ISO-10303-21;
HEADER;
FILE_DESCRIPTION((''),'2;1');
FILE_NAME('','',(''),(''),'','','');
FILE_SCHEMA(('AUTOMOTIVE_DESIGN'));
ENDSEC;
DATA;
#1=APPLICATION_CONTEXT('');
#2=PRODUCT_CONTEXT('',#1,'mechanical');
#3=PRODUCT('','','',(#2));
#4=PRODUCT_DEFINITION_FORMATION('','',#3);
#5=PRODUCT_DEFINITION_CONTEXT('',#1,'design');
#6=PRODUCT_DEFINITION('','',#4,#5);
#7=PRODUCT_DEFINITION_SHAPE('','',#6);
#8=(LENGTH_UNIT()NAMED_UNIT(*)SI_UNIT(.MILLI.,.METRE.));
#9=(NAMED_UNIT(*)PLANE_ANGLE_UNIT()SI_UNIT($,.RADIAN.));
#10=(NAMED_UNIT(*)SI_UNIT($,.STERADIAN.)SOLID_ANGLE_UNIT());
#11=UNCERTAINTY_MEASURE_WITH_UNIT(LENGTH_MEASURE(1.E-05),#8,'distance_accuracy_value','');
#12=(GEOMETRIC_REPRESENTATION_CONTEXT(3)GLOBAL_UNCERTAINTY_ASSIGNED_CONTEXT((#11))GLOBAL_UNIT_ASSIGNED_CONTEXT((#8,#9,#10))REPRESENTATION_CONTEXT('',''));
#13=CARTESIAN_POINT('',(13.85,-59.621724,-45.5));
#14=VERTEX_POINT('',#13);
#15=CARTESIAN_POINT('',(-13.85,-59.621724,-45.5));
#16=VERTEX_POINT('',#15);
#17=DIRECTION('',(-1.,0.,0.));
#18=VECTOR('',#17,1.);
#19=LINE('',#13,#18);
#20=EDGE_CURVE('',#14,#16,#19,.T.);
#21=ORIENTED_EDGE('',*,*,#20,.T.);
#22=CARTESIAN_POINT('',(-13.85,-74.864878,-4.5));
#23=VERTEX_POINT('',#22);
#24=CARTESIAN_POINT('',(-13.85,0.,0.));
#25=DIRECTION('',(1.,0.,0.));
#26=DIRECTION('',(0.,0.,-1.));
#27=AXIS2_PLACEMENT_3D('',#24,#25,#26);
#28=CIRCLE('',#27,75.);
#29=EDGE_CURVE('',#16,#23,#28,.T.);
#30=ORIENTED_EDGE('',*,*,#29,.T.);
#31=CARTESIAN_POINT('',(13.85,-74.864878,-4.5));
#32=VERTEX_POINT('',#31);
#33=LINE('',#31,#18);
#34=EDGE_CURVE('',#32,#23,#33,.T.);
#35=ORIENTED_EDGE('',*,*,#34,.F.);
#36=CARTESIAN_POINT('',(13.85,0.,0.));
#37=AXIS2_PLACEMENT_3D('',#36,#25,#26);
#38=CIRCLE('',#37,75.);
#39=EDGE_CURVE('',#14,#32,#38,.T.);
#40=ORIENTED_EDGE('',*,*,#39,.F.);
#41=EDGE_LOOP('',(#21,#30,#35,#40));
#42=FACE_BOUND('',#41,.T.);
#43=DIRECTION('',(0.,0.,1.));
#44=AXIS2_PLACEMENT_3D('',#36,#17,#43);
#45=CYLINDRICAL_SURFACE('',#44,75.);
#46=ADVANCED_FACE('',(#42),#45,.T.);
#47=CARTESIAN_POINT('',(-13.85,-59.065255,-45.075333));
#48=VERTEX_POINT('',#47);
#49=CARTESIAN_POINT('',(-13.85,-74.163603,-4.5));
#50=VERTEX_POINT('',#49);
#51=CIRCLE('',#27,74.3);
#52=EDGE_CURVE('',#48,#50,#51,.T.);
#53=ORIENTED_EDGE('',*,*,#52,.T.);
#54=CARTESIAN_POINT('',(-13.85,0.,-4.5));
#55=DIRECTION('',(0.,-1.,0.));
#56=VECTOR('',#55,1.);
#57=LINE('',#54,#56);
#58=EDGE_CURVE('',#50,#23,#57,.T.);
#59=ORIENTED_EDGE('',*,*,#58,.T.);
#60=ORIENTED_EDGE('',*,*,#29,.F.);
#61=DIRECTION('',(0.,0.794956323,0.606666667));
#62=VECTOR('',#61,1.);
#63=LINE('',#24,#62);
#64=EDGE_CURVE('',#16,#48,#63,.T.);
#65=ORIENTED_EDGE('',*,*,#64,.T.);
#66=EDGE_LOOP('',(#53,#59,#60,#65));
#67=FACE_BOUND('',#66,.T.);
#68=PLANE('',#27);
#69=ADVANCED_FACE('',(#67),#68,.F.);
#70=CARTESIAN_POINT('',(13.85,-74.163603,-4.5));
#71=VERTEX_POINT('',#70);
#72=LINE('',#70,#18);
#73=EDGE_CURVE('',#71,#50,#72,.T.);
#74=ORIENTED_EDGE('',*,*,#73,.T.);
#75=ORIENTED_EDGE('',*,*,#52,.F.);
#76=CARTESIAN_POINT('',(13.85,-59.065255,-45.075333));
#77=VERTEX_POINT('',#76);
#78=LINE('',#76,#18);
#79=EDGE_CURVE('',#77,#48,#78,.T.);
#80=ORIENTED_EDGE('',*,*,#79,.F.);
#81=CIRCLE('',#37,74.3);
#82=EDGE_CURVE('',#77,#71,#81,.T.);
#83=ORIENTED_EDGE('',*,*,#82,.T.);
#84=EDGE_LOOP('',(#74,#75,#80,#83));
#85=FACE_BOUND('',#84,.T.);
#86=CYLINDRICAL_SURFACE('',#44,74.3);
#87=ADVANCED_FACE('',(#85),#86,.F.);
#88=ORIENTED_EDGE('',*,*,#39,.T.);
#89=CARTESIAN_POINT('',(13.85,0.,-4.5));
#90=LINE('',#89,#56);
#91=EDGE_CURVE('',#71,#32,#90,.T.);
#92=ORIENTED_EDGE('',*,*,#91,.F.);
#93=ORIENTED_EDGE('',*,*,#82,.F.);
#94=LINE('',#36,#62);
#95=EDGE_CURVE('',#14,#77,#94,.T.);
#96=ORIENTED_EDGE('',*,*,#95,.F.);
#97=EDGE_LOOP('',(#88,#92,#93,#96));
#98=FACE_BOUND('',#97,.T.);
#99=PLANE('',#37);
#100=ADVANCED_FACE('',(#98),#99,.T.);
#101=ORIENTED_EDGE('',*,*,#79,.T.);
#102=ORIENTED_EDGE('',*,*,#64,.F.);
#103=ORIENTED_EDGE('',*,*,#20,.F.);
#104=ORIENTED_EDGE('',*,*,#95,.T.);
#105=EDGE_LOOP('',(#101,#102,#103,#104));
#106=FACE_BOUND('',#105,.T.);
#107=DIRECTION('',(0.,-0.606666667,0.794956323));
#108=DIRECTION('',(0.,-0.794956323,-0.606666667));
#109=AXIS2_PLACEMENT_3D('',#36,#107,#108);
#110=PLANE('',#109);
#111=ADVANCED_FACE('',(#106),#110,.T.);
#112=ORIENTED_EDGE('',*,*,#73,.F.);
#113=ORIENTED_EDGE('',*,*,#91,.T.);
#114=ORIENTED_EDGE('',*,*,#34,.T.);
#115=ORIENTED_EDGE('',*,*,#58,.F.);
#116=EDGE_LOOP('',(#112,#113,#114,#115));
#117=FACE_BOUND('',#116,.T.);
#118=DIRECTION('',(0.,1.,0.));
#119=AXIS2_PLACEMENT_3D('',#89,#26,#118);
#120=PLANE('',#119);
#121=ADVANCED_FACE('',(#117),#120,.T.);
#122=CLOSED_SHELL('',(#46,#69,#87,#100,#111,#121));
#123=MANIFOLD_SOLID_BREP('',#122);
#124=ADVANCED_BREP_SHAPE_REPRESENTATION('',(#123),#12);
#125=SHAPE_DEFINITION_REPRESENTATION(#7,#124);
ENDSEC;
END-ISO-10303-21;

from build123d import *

# Parameters (mm, degrees)
BOSS_EXTRUDE1_DEPTH = 13.85


with BuildPart() as part:
    # Sketch1 → Boss-Extrude1 (new, symmetric)
    with BuildSketch(Plane(origin=(0, 0, 0), x_dir=(0, 0, -1), z_dir=(1, 0, 0))):
        with BuildLine():
            ThreePointArc((75, 0), (-54.60082417, 51.417409503), (4.5, -74.864878281))
            Line((4.5, -74.864878281), (4.458, -74.166139417))
            ThreePointArc((4.458, -74.166139417), (-54.091216477, 50.937513681), (74.3, 0))
            ThreePointArc((74.3, 0), (66.712592514, -32.709631609), (45.5, -58.738743602))
            Line((45.5, -58.738743602), (45.5, -59.621724229))
            ThreePointArc((45.5, -59.621724229), (67.221648299, -33.260336739), (75, 0))
        make_face()
        with BuildLine():
            Line((4.458, -74.166139417), (4.5, -74.864878281))
            Line((4.5, -74.864878281), (4.5, -74.163602933))
            ThreePointArc((4.5, -74.163602933), (4.47900018, -74.164874148), (4.458, -74.166139417))
        make_face()
        with BuildLine():
            Line((45.075333333, -59.065254803), (45.5, -59.621724229))
            Line((45.5, -59.621724229), (45.5, -58.738743602))
            ThreePointArc((45.5, -58.738743602), (45.287960922, -58.902381917), (45.075333333, -59.065254803))
        make_face()
    extrude(amount=BOSS_EXTRUDE1_DEPTH, both=True)


solid = part.part
